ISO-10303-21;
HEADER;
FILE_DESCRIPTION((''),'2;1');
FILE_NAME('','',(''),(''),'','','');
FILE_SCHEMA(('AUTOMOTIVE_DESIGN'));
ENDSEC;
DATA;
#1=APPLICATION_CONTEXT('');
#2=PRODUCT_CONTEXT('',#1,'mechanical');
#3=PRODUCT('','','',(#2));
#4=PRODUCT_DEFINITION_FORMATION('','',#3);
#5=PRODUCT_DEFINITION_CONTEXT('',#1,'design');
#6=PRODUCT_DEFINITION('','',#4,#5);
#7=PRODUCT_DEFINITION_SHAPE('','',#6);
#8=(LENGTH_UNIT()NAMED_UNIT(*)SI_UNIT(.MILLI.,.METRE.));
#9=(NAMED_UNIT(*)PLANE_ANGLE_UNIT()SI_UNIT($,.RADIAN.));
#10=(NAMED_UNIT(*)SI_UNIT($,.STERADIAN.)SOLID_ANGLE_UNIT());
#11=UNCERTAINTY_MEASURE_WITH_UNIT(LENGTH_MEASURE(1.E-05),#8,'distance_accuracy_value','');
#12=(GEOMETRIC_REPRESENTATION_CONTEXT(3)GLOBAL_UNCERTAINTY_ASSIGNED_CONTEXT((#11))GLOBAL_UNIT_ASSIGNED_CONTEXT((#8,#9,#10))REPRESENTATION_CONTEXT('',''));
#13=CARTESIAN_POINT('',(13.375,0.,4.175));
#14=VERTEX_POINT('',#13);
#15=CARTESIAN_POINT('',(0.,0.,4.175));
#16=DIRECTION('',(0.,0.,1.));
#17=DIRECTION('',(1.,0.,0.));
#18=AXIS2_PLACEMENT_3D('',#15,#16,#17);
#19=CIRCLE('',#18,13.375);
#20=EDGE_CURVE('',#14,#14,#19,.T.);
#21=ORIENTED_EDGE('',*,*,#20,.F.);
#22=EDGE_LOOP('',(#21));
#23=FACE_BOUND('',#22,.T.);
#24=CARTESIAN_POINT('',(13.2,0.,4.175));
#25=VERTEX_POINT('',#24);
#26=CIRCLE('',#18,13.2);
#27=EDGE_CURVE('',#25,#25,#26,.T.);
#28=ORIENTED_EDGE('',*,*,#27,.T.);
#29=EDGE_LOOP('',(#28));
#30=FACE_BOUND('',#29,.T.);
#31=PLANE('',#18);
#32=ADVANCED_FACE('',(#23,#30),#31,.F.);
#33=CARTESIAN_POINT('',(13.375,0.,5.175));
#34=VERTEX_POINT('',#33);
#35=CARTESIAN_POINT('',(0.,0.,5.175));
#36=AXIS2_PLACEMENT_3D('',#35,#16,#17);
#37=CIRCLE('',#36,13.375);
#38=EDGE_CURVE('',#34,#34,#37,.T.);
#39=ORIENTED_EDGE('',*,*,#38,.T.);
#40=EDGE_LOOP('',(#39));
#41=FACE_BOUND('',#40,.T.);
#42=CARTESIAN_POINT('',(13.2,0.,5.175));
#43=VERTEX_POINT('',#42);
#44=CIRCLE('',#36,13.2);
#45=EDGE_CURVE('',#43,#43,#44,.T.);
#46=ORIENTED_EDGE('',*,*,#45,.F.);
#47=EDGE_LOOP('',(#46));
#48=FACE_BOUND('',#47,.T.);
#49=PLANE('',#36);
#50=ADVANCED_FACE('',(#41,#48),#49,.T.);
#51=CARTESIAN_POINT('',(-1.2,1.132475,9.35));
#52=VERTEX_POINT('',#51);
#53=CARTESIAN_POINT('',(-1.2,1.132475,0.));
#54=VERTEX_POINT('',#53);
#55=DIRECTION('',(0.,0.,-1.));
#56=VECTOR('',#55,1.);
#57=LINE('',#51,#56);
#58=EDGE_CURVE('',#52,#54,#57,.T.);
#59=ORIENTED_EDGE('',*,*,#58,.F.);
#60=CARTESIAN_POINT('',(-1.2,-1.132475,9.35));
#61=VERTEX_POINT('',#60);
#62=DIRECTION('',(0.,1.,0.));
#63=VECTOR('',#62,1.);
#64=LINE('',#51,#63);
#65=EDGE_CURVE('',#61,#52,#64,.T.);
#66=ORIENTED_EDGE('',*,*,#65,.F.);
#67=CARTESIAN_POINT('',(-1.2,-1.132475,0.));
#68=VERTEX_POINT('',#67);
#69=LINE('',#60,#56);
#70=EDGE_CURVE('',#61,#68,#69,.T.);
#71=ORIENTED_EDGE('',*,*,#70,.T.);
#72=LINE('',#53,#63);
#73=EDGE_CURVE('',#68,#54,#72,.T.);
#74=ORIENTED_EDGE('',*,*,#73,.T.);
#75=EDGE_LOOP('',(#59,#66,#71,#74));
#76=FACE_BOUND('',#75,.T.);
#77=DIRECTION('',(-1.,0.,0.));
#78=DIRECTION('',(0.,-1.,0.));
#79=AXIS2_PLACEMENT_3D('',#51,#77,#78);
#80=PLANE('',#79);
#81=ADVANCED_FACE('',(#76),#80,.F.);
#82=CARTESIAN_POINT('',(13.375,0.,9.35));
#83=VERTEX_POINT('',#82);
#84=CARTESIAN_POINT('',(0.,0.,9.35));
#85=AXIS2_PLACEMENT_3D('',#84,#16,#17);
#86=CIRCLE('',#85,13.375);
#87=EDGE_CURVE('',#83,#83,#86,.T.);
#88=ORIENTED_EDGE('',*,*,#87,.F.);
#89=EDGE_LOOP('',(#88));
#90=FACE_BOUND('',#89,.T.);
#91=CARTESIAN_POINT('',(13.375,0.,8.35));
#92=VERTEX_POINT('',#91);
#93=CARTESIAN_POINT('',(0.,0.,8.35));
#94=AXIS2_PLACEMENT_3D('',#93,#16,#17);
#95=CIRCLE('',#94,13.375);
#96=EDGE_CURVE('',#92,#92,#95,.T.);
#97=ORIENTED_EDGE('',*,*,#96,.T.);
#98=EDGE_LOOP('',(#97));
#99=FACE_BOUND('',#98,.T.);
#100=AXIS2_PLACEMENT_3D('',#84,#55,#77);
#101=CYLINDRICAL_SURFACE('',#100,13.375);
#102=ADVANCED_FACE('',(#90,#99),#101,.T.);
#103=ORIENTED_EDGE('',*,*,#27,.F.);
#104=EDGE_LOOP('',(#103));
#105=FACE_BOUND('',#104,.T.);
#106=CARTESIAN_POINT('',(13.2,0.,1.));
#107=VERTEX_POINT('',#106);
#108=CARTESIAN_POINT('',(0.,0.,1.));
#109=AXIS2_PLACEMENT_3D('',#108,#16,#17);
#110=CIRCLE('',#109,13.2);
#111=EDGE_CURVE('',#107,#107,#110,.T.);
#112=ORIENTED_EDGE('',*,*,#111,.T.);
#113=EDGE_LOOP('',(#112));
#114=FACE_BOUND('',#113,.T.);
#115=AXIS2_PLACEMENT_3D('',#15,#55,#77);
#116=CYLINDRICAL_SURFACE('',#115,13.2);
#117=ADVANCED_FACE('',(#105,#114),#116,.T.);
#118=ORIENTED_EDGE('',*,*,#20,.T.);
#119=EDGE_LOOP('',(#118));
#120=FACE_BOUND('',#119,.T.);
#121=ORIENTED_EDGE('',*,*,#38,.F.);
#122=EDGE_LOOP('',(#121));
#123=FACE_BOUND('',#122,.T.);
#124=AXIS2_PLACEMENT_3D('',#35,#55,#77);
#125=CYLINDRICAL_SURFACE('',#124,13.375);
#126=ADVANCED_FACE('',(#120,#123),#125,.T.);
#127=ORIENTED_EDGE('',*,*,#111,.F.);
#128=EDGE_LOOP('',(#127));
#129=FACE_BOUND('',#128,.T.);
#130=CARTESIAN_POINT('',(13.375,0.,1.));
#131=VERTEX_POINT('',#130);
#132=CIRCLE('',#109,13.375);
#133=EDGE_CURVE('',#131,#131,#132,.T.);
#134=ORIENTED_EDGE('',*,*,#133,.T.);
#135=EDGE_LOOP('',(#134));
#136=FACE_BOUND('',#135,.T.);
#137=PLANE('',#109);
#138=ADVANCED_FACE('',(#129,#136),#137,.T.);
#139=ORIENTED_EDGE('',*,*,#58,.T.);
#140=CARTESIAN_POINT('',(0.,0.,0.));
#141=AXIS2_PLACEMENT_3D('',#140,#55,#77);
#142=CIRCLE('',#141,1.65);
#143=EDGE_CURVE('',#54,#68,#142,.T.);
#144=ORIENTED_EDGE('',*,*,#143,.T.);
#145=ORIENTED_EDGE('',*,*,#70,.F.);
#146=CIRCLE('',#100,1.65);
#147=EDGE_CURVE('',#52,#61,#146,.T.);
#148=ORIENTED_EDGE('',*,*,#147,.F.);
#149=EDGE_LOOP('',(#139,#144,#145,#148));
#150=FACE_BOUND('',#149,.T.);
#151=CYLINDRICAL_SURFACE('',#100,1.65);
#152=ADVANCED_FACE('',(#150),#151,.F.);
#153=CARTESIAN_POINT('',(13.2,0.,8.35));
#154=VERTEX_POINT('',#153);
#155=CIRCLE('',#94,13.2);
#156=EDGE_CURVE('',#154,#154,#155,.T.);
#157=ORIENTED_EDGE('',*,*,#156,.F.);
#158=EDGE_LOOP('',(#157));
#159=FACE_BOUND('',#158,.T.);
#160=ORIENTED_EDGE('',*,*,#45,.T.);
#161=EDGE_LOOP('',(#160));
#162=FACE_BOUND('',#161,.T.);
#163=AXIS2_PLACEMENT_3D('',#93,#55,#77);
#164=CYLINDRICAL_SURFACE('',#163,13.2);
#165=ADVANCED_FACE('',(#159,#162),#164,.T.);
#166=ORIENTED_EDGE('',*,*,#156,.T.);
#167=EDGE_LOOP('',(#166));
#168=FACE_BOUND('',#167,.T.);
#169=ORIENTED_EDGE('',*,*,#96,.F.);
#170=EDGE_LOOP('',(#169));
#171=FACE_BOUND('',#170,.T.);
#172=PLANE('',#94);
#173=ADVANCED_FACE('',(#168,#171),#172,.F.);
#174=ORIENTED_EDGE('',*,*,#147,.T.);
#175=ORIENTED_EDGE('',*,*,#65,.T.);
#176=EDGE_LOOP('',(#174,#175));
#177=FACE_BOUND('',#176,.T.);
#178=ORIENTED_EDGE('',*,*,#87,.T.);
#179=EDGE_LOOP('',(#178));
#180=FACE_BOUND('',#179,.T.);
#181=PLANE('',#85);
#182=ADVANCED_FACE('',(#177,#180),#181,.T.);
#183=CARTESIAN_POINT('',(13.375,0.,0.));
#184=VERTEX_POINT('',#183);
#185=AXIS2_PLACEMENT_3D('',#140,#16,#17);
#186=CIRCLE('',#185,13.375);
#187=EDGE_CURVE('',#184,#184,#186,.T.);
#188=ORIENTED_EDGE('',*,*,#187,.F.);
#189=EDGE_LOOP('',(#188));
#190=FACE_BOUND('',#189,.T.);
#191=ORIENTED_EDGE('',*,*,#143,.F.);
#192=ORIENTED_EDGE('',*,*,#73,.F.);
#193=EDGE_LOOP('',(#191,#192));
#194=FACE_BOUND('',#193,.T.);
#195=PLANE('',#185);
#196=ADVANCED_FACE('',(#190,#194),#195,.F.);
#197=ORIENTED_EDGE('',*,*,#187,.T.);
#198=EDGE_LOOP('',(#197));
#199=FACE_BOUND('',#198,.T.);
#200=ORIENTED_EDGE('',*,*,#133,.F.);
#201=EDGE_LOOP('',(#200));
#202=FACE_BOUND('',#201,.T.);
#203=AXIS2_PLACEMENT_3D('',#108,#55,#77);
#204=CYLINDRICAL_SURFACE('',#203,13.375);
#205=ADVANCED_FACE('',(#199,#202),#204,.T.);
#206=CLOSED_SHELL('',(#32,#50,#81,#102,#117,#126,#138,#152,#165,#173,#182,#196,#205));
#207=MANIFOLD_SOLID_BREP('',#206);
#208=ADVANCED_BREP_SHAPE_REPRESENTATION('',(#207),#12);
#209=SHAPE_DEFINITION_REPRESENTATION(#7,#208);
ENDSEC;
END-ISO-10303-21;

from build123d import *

# Parameters (mm, degrees)
SKETCH2_R           = 13.375
BOSS_EXTRUDE1_DEPTH = 1
SKETCH3_R           = 13.2
BOSS_EXTRUDE2_DEPTH = 3.175
SKETCH4_R           = 13.375
BOSS_EXTRUDE3_DEPTH = 1
SKETCH5_R           = 13.2
BOSS_EXTRUDE4_DEPTH = 3.175
SKETCH6_R           = 13.375
BOSS_EXTRUDE5_DEPTH = 1
CUT_EXTRUDE2_DEPTH  = 10.35


with BuildPart() as part:
    # Sketch2 → Boss-Extrude1 (new body)
    with BuildSketch(Plane.XY):
        Circle(SKETCH2_R)
    extrude(amount=BOSS_EXTRUDE1_DEPTH)

    # Sketch3 → Boss-Extrude2 (add)
    with BuildSketch(Plane.XY.offset(1)):
        Circle(SKETCH3_R)
    extrude(amount=BOSS_EXTRUDE2_DEPTH)

    # Sketch4 → Boss-Extrude3 (add)
    with BuildSketch(Plane.XY.offset(4.175)):
        Circle(SKETCH4_R)
    extrude(amount=BOSS_EXTRUDE3_DEPTH)

    # Sketch5 → Boss-Extrude4 (add)
    with BuildSketch(Plane.XY.offset(5.175)):
        Circle(SKETCH5_R)
    extrude(amount=BOSS_EXTRUDE4_DEPTH)

    # Sketch6 → Boss-Extrude5 (add)
    with BuildSketch(Plane.XY.offset(8.35)):
        Circle(SKETCH6_R)
    extrude(amount=BOSS_EXTRUDE5_DEPTH)

    # Sketch8 → Cut-Extrude2 (cut, through all)
    with BuildSketch(Plane(origin=(0, 0, 0), x_dir=(-1, 0, 0), z_dir=(0, 0, -1))):
        with BuildLine():
            Line((1.2, 1.132475165), (1.2, -1.132475165))
            ThreePointArc((1.2, -1.132475165), (-1.65, 0), (1.2, 1.132475165))
        make_face()
    extrude(amount=-CUT_EXTRUDE2_DEPTH, mode=Mode.SUBTRACT)


solid = part.part
